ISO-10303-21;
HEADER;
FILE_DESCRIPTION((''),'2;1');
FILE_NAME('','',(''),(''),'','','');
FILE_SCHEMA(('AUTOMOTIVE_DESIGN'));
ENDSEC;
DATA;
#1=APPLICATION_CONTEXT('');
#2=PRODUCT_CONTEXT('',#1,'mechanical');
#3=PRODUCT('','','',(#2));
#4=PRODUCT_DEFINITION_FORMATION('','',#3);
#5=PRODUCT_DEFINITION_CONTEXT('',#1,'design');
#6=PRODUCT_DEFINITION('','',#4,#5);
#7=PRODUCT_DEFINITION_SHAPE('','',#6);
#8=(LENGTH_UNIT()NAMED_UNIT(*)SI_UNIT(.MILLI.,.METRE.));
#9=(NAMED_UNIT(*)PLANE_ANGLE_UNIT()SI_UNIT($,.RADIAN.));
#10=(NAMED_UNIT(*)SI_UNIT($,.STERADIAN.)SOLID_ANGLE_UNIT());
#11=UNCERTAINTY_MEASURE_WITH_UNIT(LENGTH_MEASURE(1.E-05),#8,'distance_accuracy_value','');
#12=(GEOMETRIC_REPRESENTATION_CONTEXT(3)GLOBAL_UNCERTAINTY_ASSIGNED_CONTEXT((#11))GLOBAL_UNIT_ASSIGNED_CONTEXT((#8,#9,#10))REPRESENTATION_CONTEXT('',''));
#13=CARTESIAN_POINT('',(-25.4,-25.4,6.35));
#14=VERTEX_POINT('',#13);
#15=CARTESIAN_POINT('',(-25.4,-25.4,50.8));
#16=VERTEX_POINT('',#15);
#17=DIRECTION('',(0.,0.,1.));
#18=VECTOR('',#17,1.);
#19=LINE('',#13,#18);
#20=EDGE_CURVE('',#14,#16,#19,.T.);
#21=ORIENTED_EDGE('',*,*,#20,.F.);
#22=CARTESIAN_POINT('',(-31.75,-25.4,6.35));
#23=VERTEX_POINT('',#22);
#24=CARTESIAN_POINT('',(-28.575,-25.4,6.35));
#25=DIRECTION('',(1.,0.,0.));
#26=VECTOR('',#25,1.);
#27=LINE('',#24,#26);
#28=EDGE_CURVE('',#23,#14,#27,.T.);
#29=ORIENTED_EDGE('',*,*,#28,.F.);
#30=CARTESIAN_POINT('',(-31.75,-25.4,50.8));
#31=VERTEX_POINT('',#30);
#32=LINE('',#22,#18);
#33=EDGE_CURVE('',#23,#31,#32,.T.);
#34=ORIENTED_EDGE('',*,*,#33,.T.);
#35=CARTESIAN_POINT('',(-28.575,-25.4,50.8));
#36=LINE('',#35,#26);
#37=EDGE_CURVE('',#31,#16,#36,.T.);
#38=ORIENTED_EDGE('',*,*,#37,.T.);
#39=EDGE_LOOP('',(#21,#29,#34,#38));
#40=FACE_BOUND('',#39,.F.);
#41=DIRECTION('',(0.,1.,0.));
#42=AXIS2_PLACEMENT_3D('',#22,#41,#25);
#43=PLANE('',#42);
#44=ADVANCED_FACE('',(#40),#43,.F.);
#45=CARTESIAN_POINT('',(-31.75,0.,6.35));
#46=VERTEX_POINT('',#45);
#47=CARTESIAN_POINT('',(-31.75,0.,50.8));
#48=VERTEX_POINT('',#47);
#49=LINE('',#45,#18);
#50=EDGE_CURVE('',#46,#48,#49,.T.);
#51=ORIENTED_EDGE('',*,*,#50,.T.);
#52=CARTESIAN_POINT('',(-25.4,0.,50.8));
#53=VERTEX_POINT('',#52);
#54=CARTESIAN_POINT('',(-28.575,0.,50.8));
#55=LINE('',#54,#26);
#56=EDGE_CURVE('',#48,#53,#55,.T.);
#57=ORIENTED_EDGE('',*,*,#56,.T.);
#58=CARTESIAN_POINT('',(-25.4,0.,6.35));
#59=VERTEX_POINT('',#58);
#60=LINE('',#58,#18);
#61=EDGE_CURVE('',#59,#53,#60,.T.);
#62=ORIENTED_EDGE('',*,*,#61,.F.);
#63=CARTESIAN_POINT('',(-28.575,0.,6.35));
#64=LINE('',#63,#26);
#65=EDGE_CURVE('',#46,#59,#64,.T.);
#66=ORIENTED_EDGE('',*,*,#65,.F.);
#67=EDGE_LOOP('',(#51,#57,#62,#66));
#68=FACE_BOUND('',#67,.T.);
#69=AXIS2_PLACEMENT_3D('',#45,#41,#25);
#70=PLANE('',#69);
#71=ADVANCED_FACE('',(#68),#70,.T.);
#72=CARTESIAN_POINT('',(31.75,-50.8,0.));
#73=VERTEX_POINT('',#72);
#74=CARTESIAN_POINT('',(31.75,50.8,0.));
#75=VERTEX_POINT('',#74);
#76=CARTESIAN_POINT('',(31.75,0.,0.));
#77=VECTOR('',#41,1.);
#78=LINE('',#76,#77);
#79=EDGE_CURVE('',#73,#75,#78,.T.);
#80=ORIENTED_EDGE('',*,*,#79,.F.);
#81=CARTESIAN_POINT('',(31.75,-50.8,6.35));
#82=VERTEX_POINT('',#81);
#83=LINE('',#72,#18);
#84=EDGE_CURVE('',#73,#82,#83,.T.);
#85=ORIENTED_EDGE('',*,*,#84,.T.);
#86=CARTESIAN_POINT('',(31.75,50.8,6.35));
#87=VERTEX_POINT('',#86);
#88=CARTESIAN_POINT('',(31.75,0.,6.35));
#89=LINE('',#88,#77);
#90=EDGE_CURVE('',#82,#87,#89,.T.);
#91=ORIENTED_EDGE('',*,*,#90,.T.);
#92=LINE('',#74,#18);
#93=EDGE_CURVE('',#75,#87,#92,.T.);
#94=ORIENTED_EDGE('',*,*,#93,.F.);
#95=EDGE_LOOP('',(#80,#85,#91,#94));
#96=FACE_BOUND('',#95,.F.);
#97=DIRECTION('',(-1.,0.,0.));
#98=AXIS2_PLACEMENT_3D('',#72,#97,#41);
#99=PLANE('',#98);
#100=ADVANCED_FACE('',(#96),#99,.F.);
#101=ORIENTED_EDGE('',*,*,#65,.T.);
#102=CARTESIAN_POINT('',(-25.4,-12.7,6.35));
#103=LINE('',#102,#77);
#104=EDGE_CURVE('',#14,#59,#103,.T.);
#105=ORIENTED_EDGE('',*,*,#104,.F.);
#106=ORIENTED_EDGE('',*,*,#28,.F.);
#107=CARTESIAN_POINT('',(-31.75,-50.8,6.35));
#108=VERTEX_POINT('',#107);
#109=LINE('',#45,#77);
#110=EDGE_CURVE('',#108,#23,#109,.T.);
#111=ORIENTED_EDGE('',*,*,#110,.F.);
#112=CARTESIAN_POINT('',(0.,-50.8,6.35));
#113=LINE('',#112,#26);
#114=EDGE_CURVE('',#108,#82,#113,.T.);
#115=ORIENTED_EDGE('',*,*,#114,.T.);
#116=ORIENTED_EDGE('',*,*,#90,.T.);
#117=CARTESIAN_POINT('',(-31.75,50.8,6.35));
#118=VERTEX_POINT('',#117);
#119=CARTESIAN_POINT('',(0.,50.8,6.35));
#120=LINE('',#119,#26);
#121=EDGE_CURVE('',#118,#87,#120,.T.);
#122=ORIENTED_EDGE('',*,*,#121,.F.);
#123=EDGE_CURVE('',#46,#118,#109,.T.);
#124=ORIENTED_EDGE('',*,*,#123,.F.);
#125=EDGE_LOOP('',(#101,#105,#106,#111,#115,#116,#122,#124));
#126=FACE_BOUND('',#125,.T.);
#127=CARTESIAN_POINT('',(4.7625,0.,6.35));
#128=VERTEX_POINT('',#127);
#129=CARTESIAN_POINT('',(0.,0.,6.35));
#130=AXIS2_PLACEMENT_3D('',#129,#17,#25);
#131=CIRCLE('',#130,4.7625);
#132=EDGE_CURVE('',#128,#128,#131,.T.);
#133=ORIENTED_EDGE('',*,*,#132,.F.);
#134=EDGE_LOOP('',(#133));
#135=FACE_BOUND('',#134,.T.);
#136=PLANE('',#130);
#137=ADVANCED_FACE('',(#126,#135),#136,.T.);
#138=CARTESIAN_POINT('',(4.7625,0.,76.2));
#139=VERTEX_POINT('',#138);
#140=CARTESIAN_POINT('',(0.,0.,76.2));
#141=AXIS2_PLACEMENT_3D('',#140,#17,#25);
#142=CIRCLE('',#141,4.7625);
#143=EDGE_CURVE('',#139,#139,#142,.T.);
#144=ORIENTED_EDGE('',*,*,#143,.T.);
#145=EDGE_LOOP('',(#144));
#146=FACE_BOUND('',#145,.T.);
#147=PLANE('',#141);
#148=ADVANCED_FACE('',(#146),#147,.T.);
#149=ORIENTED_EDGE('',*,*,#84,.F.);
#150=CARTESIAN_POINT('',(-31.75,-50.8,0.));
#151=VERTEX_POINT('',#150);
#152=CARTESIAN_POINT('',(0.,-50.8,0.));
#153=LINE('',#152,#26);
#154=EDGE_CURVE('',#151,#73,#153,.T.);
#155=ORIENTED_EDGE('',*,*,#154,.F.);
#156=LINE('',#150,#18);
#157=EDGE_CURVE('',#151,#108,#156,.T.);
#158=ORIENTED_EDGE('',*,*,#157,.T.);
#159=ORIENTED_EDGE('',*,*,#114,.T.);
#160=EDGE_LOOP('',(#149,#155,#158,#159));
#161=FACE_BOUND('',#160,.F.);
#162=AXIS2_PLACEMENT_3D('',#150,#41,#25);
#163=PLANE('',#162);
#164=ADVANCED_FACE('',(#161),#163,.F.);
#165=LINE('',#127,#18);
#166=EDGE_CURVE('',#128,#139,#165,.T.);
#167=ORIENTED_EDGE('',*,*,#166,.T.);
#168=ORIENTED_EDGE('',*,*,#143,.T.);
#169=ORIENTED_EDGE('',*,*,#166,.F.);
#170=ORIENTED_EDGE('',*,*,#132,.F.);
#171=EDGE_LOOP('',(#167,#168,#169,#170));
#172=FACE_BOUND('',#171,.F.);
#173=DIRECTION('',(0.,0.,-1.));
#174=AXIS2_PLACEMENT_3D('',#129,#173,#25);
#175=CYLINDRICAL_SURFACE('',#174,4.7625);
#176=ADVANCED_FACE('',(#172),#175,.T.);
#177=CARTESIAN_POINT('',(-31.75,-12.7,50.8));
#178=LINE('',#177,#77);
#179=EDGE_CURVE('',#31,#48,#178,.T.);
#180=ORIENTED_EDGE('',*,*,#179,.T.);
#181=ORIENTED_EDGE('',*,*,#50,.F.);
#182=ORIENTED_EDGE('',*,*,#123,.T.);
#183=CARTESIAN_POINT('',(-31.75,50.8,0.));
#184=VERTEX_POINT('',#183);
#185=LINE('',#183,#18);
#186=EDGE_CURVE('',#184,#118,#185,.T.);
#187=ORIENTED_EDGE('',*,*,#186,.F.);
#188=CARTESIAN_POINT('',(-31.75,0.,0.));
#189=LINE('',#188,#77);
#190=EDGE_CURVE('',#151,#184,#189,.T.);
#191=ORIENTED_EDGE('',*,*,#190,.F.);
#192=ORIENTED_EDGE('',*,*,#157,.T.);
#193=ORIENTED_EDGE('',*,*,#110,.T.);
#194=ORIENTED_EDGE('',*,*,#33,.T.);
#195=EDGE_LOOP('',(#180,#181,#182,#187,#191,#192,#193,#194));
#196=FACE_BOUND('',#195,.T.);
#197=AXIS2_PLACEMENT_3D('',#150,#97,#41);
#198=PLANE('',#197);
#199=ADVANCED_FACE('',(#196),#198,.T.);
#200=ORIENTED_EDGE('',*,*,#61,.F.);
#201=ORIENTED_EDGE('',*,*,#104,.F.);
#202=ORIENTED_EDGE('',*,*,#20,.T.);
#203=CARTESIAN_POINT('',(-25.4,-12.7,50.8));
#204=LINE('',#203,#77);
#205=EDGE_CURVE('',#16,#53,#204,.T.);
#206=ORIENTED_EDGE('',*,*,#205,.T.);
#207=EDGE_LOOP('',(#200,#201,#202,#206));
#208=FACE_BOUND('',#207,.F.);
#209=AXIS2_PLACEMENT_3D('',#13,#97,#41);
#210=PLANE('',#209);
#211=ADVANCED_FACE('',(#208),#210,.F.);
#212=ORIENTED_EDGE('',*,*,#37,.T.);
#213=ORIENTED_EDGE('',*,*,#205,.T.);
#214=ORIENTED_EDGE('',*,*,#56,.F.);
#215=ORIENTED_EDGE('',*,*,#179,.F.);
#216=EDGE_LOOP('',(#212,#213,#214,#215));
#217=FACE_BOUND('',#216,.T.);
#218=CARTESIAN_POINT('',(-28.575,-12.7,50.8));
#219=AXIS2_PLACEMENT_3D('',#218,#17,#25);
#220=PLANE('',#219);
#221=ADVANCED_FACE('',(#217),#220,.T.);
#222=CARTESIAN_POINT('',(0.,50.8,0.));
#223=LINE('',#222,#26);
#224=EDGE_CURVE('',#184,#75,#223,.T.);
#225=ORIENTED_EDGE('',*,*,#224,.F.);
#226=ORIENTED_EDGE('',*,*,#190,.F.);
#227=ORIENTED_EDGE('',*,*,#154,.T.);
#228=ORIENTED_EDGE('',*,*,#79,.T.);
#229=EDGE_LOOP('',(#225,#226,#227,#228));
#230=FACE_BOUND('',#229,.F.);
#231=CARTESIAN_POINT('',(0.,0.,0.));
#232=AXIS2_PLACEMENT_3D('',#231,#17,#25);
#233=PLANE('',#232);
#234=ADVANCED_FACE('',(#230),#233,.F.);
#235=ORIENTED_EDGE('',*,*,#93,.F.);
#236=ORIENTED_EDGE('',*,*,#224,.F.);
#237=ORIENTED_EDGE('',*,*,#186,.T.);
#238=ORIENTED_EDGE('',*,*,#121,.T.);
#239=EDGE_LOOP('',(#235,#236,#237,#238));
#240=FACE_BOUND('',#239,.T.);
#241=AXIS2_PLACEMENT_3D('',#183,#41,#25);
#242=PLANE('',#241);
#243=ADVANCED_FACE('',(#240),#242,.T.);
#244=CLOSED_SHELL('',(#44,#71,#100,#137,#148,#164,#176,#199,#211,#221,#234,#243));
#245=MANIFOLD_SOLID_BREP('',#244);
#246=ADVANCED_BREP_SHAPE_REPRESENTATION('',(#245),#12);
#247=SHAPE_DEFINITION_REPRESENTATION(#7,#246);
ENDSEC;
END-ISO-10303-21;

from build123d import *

# Parameters (mm, degrees)
F0_W     = 63.5
F0_H     = 101.6
F1_DEPTH = 6.35
F2_R     = 4.7625
F3_DEPTH = 69.85
F4_W     = 6.35
F4_H     = 25.4
F5_DEPTH = 44.45


with BuildPart() as f1:
    # F0 (on Top) → F1 (new body)
    with BuildSketch(Plane.XY):
        Rectangle(F0_W, F0_H)
    extrude(amount=F1_DEPTH)

    # F2 (on face) → F3 (join)
    with BuildSketch(Plane.XY.offset(6.35)):
        Circle(F2_R)
    extrude(amount=F3_DEPTH)

    # F4 (on face) → F5 (join)
    with BuildSketch(Plane.XY.offset(6.35)):
        with Locations((-28.575, -12.7)):
            Rectangle(F4_W, F4_H)
    extrude(amount=F5_DEPTH)


solid = f1.part
